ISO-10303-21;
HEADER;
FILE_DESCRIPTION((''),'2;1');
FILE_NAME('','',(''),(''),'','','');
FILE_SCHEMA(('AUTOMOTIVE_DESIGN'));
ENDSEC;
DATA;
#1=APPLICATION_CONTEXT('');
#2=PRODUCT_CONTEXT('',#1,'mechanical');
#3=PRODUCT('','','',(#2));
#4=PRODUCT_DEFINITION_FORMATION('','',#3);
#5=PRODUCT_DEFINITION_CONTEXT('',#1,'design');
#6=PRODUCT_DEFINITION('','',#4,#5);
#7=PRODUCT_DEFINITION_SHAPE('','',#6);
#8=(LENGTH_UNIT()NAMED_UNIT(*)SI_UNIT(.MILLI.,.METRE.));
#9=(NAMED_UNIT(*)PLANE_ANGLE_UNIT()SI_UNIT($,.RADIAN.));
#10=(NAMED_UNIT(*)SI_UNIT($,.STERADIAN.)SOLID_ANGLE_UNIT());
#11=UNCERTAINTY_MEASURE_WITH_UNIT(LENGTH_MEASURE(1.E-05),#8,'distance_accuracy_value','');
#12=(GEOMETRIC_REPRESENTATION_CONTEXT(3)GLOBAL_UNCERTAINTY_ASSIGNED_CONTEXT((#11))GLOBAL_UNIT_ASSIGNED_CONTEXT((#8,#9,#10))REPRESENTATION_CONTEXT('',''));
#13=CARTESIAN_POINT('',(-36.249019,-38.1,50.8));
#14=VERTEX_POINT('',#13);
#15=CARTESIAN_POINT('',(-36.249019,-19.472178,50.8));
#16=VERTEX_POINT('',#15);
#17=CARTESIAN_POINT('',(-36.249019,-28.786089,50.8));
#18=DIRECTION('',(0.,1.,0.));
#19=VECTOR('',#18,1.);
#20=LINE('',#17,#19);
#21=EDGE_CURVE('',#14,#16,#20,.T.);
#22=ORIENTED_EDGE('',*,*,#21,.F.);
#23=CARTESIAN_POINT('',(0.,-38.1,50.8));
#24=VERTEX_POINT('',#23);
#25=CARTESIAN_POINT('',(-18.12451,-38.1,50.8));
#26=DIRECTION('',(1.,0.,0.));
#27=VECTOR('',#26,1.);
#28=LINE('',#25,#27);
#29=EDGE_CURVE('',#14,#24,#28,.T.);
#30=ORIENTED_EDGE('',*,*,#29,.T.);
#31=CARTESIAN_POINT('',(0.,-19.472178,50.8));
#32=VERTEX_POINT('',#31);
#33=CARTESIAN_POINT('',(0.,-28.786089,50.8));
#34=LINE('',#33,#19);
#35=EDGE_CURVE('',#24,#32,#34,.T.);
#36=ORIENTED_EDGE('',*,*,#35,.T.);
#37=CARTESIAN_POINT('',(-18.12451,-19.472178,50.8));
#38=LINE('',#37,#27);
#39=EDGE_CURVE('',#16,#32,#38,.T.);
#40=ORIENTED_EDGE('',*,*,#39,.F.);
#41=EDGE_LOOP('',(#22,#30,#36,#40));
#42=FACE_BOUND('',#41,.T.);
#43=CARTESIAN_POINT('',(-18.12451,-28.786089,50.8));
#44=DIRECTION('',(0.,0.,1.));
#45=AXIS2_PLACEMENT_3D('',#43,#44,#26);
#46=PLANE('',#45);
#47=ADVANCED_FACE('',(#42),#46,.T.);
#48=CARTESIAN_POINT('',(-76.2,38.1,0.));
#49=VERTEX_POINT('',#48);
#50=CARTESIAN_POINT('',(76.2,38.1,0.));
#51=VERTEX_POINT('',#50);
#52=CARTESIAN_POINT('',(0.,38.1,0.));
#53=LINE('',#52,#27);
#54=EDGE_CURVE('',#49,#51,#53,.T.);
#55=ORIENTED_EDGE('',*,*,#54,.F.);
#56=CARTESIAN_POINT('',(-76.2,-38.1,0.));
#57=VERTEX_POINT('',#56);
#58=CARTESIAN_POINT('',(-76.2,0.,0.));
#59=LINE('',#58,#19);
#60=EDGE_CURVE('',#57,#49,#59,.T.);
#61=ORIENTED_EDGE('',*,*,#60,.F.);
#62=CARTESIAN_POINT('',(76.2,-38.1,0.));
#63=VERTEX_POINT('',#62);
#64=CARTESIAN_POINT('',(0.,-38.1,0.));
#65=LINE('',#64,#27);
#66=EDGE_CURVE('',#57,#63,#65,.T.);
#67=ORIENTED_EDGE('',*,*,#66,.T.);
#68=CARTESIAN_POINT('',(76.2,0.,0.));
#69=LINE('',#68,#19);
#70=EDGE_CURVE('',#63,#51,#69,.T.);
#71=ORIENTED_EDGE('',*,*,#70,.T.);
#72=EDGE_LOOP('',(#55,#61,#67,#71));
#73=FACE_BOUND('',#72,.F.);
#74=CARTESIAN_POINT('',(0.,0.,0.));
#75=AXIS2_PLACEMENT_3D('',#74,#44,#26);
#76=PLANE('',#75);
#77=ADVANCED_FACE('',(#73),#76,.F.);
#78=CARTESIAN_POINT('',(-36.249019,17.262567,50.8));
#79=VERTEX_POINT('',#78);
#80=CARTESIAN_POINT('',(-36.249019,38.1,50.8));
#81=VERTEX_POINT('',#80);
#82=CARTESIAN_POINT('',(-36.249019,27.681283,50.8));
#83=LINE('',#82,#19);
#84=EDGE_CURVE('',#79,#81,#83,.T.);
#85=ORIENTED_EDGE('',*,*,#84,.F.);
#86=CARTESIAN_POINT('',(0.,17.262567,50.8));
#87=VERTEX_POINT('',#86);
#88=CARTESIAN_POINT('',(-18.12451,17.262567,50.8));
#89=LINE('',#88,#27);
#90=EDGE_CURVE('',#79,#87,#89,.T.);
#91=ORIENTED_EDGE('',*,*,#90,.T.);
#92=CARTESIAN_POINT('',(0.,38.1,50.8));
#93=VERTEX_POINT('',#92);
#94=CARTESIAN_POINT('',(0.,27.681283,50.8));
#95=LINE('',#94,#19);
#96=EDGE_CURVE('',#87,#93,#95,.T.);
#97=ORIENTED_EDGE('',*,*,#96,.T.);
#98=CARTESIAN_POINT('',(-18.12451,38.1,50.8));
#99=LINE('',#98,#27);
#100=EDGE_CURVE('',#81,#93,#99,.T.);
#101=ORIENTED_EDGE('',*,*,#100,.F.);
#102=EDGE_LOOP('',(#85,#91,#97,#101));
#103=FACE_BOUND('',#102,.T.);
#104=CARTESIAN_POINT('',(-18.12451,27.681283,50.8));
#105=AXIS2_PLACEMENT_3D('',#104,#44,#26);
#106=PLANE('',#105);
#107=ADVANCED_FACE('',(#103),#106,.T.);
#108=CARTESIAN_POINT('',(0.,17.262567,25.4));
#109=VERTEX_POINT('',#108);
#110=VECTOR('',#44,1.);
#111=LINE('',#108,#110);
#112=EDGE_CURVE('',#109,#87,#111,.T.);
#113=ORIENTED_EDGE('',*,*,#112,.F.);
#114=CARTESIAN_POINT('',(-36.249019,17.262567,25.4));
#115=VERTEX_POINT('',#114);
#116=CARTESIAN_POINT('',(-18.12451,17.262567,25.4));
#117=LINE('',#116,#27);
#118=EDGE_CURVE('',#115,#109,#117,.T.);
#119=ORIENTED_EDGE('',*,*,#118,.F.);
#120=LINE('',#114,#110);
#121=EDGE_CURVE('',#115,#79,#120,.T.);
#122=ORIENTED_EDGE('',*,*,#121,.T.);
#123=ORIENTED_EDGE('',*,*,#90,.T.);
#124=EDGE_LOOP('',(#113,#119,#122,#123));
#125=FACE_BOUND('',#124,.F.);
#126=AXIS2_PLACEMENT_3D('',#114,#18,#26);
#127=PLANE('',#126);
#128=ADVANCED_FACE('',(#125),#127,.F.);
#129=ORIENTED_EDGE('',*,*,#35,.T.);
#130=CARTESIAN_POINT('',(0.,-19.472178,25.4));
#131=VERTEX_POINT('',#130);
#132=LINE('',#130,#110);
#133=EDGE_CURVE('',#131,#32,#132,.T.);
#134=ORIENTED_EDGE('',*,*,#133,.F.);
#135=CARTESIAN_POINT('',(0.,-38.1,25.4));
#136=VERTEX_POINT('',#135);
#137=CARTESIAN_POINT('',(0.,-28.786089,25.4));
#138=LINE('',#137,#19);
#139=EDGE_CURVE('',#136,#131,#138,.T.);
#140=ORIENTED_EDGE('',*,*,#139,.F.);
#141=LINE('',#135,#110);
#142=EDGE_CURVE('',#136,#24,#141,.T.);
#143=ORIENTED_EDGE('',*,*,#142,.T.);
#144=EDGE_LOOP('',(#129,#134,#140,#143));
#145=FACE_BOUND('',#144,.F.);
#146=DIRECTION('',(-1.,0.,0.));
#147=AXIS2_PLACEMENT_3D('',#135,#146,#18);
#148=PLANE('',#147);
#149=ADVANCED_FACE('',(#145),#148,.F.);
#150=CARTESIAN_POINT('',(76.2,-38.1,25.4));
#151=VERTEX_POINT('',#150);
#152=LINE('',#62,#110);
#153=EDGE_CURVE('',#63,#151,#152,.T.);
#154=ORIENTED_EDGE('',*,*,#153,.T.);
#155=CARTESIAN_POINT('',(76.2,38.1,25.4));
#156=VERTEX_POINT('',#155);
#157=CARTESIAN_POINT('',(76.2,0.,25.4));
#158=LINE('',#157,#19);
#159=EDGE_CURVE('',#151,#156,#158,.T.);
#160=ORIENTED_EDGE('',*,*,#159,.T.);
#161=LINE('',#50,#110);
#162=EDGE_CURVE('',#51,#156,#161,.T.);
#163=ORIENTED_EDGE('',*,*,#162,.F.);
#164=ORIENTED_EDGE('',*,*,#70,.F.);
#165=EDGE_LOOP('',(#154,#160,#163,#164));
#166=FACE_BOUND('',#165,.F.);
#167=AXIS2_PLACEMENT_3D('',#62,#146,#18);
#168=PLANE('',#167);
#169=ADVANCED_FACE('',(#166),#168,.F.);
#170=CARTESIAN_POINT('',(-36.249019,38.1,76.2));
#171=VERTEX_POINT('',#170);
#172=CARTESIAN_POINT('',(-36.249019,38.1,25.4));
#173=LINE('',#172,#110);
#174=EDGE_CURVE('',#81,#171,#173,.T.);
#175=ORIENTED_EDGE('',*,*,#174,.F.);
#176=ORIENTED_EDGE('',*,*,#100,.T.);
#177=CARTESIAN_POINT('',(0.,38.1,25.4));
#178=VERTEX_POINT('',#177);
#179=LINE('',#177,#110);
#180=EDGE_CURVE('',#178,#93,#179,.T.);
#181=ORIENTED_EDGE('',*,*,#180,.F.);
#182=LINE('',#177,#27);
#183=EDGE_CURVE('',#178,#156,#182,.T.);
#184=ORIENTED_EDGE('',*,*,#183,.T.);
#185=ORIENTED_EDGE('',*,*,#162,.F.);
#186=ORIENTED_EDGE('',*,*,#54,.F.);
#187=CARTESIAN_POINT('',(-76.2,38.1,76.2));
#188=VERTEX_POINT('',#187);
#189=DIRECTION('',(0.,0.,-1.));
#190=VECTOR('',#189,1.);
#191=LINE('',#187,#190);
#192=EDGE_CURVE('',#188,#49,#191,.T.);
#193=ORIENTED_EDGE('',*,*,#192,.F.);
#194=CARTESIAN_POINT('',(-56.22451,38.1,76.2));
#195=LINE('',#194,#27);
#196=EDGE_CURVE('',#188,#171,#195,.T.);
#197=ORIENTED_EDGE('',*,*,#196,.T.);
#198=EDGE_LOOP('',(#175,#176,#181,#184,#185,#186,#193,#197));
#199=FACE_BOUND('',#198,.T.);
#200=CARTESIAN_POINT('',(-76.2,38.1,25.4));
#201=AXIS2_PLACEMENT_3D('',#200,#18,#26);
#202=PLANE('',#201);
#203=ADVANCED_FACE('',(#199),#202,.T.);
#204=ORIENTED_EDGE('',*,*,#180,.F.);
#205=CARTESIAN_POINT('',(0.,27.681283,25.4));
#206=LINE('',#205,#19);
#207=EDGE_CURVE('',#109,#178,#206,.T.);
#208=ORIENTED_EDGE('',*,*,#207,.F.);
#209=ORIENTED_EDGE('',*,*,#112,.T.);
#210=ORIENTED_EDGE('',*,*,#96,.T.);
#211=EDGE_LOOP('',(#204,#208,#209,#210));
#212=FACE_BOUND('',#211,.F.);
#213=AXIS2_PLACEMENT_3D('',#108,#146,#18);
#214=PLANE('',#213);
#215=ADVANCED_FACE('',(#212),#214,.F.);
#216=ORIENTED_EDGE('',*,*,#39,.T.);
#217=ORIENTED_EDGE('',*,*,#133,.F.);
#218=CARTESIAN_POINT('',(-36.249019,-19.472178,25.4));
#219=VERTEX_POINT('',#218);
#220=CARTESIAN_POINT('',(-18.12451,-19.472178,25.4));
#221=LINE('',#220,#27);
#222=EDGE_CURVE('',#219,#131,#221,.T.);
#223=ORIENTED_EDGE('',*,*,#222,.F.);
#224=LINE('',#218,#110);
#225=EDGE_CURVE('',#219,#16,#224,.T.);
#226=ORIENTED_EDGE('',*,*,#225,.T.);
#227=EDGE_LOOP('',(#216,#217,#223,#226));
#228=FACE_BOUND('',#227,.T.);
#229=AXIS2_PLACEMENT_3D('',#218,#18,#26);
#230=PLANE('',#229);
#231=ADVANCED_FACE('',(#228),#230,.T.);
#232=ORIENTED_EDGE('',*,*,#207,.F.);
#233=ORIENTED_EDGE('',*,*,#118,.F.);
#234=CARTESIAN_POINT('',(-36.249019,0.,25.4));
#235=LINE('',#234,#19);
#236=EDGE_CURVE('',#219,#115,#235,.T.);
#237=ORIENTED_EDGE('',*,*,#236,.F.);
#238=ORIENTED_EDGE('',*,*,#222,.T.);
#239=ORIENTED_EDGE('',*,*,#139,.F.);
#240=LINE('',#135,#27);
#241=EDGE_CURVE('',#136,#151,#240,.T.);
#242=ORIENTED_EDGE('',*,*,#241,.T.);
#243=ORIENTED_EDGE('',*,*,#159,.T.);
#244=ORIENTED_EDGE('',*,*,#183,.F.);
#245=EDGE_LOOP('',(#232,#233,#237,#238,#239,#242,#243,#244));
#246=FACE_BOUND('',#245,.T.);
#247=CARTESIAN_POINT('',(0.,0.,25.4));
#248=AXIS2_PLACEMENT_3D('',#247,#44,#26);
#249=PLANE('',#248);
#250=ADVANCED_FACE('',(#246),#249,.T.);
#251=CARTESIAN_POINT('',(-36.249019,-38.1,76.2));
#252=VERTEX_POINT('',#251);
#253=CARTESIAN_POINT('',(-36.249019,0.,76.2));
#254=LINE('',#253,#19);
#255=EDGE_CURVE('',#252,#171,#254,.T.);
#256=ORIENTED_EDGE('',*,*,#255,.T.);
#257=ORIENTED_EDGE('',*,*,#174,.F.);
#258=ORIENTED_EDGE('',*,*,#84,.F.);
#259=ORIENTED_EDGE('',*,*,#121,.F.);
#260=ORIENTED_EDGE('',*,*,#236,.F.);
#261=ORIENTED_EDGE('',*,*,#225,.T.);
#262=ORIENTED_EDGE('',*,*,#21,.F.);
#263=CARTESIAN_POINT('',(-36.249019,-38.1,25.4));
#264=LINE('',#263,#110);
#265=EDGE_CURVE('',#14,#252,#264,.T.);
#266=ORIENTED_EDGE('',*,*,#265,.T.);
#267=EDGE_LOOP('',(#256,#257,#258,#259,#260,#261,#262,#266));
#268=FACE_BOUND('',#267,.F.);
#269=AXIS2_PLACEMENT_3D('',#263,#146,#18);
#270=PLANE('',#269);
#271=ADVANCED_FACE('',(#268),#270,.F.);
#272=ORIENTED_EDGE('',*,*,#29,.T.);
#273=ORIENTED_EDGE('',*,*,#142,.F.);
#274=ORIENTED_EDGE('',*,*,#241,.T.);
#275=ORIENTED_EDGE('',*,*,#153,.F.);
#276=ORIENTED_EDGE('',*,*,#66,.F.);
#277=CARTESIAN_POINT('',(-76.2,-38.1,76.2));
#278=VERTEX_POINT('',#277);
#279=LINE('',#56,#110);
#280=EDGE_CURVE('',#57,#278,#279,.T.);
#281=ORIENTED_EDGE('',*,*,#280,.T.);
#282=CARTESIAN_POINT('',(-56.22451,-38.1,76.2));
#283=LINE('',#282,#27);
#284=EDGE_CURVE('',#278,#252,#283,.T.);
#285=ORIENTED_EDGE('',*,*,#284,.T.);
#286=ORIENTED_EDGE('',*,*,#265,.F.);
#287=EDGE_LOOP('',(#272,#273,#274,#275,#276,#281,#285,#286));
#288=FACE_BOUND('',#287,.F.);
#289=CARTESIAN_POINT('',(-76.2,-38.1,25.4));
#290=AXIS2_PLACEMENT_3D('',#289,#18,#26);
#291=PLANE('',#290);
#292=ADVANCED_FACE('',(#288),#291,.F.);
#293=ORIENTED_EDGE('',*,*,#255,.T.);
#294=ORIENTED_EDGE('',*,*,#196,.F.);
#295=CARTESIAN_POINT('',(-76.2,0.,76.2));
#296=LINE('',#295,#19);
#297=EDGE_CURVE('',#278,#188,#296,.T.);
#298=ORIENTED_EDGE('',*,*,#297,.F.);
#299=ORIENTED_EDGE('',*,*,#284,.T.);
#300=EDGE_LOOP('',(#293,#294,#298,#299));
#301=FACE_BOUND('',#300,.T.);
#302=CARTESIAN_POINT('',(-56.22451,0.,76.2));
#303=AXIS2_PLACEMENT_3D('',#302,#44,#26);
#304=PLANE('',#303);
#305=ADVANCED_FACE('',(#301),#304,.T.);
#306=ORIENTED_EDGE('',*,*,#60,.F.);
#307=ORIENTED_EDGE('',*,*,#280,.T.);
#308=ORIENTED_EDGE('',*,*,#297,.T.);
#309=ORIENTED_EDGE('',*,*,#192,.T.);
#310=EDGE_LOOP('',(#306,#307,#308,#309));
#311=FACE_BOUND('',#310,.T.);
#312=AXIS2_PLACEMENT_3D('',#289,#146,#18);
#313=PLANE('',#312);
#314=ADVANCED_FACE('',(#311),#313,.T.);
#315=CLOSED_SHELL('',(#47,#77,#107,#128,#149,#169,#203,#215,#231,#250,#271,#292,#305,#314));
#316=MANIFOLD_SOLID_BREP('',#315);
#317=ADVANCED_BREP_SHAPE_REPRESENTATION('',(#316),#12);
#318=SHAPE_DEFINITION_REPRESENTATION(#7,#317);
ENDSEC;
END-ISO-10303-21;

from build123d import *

# Parameters (mm, degrees)
F0_W     = 152.4
F0_H     = 76.2
F1_DEPTH = 25.4
F2_W     = 39.9509807944
F2_H     = 76.2
F3_DEPTH = 50.8
F4_W     = 36.2490192056
F4_H     = 20.8374331653
F4_H_2   = 18.6278219283
F5_DEPTH = 25.4


with BuildPart() as f1:
    # F0 (on Top) → F1 (new body)
    with BuildSketch(Plane.XY):
        Rectangle(F0_W, F0_H)
    extrude(amount=F1_DEPTH)

    # F2 (on face) → F3 (join)
    with BuildSketch(Plane.XY.offset(25.4)):
        with Locations((-56.2245096028, 0)):
            Rectangle(F2_W, F2_H)
    extrude(amount=F3_DEPTH)

    # F4 (on face) → F5 (join)
    with BuildSketch(Plane.XY.offset(25.4)):
        with Locations((-18.1245096028, 27.6812834173)):
            Rectangle(F4_W, F4_H)
        with Locations((-18.1245096028, -28.7860890359)):
            Rectangle(F4_W, F4_H_2)
    extrude(amount=F5_DEPTH)


solid = f1.part
